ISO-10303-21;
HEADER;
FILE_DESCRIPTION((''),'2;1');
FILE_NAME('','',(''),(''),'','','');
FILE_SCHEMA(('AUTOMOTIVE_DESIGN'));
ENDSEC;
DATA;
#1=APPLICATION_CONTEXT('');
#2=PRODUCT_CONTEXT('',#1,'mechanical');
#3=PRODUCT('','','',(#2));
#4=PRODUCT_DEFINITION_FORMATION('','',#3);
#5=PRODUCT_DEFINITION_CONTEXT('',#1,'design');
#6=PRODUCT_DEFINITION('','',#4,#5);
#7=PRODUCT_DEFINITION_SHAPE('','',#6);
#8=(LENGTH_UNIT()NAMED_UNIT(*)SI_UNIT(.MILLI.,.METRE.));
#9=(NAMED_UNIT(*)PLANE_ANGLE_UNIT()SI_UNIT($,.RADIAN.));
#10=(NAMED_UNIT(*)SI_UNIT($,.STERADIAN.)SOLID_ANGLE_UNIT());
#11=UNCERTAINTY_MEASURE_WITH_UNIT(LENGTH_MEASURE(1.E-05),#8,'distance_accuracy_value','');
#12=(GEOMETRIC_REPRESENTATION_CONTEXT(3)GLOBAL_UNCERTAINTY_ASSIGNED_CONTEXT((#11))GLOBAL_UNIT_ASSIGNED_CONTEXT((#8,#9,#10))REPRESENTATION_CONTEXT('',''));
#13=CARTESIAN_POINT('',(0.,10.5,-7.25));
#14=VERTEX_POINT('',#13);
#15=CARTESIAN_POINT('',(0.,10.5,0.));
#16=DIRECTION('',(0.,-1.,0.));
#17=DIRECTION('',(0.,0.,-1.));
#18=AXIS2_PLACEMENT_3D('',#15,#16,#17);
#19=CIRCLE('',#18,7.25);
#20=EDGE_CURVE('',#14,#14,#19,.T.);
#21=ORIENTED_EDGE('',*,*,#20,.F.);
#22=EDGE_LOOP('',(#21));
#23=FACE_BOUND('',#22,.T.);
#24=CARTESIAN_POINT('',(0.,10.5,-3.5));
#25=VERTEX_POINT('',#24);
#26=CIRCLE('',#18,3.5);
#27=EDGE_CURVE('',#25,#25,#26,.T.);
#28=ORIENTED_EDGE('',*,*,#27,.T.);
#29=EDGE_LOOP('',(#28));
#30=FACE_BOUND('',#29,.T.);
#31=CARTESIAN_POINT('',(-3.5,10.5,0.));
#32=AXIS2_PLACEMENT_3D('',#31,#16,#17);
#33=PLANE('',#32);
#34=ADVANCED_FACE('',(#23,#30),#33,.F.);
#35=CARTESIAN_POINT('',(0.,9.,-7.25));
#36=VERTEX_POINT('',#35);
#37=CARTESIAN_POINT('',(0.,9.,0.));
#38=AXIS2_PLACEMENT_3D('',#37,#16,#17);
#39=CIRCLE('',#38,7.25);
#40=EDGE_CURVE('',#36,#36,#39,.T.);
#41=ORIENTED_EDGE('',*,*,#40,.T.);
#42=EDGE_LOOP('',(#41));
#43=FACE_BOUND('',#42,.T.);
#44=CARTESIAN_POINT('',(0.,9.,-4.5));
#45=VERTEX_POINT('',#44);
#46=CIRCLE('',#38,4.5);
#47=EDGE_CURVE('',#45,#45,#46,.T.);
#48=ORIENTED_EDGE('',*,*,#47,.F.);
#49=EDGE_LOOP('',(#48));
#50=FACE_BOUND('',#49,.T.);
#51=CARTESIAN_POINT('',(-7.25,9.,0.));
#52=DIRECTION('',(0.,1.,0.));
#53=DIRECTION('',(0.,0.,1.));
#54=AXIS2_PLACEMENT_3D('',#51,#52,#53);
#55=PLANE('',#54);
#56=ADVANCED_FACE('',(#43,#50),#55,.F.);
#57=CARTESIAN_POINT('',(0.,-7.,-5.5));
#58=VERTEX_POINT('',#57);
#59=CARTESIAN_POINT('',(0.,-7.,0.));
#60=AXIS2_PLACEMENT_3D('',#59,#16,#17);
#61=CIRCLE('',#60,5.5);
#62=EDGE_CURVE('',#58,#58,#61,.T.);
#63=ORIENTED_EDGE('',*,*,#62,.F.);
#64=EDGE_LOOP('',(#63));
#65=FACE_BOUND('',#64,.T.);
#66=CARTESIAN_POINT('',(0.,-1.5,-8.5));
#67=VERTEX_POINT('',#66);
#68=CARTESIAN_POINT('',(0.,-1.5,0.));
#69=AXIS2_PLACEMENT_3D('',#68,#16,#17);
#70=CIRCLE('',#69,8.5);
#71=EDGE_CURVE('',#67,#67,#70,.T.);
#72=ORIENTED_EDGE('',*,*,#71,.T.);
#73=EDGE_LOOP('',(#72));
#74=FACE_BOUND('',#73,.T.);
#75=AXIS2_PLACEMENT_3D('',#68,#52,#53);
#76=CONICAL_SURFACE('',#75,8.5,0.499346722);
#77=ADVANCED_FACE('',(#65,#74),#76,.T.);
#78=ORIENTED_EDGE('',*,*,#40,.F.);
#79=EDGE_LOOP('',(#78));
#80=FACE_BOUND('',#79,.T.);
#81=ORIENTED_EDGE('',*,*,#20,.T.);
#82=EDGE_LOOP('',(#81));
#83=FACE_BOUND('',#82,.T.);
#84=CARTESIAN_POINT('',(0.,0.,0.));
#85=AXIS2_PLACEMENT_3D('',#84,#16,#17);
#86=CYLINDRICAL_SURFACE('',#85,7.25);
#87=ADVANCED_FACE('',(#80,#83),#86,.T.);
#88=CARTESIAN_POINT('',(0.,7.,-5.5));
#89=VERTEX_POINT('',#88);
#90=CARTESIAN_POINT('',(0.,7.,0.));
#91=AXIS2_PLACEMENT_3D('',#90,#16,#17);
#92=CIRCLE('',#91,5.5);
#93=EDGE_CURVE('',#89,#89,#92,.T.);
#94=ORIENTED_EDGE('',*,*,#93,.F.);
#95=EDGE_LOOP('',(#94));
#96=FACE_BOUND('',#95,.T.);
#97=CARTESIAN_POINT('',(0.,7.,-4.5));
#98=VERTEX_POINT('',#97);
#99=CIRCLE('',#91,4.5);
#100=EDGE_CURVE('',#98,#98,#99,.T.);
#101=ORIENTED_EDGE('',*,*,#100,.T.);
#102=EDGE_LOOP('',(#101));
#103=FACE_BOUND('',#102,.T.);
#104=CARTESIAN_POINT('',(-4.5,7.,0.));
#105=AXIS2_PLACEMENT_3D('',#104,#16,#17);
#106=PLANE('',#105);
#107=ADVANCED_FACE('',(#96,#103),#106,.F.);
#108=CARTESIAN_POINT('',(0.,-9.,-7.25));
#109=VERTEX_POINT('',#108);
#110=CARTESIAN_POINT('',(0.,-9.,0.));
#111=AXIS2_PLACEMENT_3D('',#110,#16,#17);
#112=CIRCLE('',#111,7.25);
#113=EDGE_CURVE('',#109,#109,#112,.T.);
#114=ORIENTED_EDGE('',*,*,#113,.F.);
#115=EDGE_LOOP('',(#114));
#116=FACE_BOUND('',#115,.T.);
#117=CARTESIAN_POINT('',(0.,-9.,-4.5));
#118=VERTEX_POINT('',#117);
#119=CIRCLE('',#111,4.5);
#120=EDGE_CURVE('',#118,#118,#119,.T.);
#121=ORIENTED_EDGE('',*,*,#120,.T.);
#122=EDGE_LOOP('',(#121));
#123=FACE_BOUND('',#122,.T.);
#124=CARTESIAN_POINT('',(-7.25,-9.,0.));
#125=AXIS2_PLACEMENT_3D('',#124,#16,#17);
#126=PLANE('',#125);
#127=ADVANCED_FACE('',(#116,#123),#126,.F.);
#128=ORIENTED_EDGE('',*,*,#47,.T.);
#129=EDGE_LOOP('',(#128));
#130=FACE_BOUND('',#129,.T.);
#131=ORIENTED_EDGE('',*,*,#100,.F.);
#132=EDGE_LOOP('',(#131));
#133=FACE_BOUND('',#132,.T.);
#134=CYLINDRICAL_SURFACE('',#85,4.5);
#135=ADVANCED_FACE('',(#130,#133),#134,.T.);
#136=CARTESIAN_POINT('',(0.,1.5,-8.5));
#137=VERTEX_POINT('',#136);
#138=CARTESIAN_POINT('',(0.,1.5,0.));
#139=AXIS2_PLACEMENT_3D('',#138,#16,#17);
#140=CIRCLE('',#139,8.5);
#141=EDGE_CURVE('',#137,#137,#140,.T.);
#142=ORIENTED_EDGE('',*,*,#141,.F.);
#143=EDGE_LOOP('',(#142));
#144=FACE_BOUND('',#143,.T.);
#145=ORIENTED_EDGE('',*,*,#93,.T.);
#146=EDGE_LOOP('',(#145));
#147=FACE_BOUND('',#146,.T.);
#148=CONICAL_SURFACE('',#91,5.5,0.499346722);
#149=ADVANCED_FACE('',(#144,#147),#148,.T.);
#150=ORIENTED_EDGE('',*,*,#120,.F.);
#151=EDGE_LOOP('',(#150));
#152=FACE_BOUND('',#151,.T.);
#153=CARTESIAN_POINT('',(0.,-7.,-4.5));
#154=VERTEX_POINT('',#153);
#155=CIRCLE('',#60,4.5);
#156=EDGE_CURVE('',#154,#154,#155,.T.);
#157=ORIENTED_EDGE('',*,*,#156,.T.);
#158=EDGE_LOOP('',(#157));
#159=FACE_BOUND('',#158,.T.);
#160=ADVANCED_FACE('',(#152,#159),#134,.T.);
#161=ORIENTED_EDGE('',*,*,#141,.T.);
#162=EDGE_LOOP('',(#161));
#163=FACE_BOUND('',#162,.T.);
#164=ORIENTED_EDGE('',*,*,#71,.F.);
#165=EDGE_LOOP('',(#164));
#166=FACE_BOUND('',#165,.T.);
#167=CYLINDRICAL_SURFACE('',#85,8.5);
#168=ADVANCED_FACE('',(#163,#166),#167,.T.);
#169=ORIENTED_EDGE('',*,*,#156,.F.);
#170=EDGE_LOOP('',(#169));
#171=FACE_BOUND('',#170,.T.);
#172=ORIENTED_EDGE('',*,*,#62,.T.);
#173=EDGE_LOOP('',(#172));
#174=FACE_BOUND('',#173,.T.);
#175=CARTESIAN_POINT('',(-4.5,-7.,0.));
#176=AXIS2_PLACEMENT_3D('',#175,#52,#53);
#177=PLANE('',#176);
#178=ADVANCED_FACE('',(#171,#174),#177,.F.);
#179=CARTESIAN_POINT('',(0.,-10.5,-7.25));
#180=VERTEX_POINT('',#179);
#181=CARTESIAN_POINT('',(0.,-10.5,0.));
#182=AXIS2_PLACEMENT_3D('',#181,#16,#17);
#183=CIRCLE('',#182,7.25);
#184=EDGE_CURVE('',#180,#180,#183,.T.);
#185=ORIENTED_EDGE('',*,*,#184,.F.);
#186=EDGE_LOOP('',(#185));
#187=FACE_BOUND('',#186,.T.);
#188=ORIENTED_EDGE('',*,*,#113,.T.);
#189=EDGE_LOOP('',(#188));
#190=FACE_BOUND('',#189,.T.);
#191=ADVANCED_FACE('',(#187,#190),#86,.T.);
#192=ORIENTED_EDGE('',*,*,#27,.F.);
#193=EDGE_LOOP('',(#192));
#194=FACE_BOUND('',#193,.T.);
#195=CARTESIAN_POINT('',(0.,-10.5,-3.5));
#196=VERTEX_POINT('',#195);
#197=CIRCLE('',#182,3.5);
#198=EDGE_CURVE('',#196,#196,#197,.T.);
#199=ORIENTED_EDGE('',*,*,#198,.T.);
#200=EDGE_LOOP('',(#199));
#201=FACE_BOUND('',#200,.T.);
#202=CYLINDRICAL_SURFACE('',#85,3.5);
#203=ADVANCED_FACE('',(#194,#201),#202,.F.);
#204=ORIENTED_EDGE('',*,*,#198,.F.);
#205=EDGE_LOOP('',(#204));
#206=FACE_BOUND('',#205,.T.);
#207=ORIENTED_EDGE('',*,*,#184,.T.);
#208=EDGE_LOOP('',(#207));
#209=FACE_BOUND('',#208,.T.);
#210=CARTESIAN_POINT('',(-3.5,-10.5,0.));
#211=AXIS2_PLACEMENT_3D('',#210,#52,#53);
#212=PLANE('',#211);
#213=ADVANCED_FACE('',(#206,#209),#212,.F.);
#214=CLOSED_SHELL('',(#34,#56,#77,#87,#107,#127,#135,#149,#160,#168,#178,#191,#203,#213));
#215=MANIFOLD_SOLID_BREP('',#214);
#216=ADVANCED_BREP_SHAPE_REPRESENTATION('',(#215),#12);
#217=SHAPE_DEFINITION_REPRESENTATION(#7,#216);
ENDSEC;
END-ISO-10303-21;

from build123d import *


with BuildPart() as part:
    # Croquis1 → Revolución2 (revolve)
    with BuildSketch(Plane.XY, mode=Mode.PRIVATE) as revoluci_n2_sk:
        Polygon((-3.5, 10.5), (-3.5, -10.5), (-7.25, -10.5), (-7.25, -9), (-4.5, -9), (-4.5, -7), (-5.5, -7), (-8.5, -1.5), (-8.5, 1.5), (-5.5, 7), (-4.5, 7), (-4.5, 9), (-7.25, 9), (-7.25, 10.5), align=None)
    revolve(revoluci_n2_sk.sketch.rotate(Axis((0, 0, 0), (0, 1, 0)), 270), axis=Axis((0, 0, 0), (0, 1, 0)))


solid = part.part
